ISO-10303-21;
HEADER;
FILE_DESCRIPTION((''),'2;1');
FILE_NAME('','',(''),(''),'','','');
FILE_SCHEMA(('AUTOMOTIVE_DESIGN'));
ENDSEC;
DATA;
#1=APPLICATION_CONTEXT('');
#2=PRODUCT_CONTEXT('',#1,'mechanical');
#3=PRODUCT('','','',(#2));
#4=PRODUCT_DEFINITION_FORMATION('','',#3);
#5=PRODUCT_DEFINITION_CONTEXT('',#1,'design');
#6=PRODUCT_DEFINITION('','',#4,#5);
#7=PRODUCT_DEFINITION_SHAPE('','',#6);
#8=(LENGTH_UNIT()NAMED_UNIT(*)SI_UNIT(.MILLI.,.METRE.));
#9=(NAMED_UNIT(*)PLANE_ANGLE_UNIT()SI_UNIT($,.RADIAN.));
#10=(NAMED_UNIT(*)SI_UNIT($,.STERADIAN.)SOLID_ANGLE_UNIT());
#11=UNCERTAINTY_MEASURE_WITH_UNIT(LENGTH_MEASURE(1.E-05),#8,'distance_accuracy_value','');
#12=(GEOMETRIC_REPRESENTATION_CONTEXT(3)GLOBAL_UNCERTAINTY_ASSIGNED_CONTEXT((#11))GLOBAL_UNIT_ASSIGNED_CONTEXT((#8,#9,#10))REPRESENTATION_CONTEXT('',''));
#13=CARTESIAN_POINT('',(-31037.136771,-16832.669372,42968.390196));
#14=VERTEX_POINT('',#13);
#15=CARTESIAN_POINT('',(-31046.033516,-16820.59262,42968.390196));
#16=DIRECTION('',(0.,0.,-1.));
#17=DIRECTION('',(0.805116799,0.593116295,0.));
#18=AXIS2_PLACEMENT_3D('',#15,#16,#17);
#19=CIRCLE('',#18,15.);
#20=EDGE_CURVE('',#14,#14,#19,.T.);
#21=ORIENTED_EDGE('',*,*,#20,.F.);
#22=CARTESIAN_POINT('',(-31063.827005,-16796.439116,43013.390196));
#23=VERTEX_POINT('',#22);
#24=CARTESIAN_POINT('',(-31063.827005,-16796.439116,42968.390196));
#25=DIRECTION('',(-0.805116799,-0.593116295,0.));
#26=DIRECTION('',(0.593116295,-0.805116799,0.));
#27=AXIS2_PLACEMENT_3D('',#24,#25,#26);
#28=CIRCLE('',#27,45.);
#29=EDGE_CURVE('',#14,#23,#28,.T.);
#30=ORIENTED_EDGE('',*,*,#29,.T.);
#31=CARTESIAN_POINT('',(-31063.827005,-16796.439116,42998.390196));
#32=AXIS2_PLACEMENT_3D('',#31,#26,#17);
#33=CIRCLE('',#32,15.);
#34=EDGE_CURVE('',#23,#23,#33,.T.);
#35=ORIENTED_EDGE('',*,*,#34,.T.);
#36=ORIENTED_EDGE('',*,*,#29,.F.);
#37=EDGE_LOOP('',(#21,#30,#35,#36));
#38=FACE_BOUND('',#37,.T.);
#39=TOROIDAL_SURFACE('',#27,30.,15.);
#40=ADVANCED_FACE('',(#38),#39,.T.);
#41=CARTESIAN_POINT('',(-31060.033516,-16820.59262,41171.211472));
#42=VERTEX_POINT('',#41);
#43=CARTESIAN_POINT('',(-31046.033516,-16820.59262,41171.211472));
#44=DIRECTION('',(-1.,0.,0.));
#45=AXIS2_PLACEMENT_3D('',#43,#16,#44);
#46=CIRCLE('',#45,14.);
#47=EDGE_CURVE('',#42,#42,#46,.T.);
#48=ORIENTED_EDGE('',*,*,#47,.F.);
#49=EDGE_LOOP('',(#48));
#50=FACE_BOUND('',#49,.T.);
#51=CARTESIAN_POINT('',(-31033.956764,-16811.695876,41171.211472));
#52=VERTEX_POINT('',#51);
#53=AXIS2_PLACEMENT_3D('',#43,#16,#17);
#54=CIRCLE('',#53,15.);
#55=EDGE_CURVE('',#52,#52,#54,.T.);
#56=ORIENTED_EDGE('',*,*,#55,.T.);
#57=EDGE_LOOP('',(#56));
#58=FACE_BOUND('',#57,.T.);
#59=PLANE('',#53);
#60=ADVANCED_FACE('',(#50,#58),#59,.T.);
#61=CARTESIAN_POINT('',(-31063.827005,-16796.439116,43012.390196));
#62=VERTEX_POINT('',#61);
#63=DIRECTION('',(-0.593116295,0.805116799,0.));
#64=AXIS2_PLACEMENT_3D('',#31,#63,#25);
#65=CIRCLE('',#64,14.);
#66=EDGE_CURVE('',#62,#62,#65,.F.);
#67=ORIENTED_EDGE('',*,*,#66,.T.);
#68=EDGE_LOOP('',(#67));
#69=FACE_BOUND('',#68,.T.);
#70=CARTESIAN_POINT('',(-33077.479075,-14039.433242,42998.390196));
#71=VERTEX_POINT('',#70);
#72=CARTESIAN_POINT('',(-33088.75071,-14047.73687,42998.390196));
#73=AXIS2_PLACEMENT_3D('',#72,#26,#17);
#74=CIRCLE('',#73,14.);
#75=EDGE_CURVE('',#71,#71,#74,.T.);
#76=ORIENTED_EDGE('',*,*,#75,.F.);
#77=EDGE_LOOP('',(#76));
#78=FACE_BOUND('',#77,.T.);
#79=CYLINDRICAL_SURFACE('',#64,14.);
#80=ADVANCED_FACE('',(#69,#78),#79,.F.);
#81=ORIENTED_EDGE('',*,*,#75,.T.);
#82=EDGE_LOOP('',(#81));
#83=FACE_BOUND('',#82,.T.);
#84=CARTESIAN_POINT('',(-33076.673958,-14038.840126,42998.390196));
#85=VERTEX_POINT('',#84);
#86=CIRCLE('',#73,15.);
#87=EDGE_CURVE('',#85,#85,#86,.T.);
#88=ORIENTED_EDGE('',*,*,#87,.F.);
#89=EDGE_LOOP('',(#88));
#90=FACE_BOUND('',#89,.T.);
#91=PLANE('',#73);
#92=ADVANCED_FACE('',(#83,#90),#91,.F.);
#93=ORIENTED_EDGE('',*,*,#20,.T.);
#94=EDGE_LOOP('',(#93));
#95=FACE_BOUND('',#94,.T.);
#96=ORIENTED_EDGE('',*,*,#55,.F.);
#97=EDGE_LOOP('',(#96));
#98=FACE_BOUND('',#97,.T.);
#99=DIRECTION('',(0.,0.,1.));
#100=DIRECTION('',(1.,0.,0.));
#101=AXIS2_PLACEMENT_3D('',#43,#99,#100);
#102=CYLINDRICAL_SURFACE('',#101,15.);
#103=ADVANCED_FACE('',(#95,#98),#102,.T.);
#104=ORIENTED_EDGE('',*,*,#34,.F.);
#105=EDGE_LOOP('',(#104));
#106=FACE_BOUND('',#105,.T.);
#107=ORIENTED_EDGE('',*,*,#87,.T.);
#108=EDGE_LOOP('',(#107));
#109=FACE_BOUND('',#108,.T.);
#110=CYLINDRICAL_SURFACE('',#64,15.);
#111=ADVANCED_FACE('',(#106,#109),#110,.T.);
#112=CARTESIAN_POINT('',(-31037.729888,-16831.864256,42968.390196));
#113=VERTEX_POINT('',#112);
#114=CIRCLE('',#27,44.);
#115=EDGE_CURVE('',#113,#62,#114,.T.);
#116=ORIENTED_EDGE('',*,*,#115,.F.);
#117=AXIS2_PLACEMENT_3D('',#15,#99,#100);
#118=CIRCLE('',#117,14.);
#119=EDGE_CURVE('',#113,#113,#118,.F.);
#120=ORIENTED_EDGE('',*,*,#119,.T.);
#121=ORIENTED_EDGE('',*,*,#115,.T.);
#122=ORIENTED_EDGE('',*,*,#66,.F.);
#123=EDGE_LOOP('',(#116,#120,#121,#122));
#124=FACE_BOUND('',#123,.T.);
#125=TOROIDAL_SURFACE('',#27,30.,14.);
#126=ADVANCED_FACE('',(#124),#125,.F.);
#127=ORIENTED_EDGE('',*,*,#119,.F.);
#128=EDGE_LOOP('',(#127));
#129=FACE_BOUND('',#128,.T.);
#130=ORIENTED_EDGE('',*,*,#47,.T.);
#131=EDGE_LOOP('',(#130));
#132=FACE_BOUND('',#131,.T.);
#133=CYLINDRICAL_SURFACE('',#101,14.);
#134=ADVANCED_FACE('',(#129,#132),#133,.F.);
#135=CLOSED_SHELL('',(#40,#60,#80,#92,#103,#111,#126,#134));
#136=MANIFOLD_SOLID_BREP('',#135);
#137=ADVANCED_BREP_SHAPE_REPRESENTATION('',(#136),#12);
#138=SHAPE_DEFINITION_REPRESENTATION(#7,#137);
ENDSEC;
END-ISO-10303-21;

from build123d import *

# Parameters (mm, degrees)
SWEEP_THIN1_PROFILE_R   = 15
SWEEP_THIN1_PROFILE_R_2 = 14


with BuildPart() as part:
    # Sweep-Thin1: sweep along a curve in space
    with BuildLine() as sweep_thin1_path:
        Line((-31046.033515707, -16820.592620356, 41171.211472117), (-31046.033515707, -16820.592620356, 42968.390196057))
        ThreePointArc((-31046.033515707, -16820.592620356, 42968.390196057), (-31051.245107931, -16813.51822283, 42989.603399492), (-31063.827004559, -16796.439116377, 42998.390196057))
        Line((-31063.827004559, -16796.439116377, 42998.390196057), (-33088.750709745, -14047.736870492, 42998.390196057))
    # Sweep-Thin1 profile (on start of the path) → Sweep-Thin1 (sweep)
    with BuildSketch(Plane(origin=(-31046.033515707, -16820.592620356, 41171.211472117), x_dir=(1, 0, 0), z_dir=(0, 0, 1))):
        Circle(SWEEP_THIN1_PROFILE_R)
        Circle(SWEEP_THIN1_PROFILE_R_2, mode=Mode.SUBTRACT)
    sweep(path=sweep_thin1_path.line)


solid = part.part
